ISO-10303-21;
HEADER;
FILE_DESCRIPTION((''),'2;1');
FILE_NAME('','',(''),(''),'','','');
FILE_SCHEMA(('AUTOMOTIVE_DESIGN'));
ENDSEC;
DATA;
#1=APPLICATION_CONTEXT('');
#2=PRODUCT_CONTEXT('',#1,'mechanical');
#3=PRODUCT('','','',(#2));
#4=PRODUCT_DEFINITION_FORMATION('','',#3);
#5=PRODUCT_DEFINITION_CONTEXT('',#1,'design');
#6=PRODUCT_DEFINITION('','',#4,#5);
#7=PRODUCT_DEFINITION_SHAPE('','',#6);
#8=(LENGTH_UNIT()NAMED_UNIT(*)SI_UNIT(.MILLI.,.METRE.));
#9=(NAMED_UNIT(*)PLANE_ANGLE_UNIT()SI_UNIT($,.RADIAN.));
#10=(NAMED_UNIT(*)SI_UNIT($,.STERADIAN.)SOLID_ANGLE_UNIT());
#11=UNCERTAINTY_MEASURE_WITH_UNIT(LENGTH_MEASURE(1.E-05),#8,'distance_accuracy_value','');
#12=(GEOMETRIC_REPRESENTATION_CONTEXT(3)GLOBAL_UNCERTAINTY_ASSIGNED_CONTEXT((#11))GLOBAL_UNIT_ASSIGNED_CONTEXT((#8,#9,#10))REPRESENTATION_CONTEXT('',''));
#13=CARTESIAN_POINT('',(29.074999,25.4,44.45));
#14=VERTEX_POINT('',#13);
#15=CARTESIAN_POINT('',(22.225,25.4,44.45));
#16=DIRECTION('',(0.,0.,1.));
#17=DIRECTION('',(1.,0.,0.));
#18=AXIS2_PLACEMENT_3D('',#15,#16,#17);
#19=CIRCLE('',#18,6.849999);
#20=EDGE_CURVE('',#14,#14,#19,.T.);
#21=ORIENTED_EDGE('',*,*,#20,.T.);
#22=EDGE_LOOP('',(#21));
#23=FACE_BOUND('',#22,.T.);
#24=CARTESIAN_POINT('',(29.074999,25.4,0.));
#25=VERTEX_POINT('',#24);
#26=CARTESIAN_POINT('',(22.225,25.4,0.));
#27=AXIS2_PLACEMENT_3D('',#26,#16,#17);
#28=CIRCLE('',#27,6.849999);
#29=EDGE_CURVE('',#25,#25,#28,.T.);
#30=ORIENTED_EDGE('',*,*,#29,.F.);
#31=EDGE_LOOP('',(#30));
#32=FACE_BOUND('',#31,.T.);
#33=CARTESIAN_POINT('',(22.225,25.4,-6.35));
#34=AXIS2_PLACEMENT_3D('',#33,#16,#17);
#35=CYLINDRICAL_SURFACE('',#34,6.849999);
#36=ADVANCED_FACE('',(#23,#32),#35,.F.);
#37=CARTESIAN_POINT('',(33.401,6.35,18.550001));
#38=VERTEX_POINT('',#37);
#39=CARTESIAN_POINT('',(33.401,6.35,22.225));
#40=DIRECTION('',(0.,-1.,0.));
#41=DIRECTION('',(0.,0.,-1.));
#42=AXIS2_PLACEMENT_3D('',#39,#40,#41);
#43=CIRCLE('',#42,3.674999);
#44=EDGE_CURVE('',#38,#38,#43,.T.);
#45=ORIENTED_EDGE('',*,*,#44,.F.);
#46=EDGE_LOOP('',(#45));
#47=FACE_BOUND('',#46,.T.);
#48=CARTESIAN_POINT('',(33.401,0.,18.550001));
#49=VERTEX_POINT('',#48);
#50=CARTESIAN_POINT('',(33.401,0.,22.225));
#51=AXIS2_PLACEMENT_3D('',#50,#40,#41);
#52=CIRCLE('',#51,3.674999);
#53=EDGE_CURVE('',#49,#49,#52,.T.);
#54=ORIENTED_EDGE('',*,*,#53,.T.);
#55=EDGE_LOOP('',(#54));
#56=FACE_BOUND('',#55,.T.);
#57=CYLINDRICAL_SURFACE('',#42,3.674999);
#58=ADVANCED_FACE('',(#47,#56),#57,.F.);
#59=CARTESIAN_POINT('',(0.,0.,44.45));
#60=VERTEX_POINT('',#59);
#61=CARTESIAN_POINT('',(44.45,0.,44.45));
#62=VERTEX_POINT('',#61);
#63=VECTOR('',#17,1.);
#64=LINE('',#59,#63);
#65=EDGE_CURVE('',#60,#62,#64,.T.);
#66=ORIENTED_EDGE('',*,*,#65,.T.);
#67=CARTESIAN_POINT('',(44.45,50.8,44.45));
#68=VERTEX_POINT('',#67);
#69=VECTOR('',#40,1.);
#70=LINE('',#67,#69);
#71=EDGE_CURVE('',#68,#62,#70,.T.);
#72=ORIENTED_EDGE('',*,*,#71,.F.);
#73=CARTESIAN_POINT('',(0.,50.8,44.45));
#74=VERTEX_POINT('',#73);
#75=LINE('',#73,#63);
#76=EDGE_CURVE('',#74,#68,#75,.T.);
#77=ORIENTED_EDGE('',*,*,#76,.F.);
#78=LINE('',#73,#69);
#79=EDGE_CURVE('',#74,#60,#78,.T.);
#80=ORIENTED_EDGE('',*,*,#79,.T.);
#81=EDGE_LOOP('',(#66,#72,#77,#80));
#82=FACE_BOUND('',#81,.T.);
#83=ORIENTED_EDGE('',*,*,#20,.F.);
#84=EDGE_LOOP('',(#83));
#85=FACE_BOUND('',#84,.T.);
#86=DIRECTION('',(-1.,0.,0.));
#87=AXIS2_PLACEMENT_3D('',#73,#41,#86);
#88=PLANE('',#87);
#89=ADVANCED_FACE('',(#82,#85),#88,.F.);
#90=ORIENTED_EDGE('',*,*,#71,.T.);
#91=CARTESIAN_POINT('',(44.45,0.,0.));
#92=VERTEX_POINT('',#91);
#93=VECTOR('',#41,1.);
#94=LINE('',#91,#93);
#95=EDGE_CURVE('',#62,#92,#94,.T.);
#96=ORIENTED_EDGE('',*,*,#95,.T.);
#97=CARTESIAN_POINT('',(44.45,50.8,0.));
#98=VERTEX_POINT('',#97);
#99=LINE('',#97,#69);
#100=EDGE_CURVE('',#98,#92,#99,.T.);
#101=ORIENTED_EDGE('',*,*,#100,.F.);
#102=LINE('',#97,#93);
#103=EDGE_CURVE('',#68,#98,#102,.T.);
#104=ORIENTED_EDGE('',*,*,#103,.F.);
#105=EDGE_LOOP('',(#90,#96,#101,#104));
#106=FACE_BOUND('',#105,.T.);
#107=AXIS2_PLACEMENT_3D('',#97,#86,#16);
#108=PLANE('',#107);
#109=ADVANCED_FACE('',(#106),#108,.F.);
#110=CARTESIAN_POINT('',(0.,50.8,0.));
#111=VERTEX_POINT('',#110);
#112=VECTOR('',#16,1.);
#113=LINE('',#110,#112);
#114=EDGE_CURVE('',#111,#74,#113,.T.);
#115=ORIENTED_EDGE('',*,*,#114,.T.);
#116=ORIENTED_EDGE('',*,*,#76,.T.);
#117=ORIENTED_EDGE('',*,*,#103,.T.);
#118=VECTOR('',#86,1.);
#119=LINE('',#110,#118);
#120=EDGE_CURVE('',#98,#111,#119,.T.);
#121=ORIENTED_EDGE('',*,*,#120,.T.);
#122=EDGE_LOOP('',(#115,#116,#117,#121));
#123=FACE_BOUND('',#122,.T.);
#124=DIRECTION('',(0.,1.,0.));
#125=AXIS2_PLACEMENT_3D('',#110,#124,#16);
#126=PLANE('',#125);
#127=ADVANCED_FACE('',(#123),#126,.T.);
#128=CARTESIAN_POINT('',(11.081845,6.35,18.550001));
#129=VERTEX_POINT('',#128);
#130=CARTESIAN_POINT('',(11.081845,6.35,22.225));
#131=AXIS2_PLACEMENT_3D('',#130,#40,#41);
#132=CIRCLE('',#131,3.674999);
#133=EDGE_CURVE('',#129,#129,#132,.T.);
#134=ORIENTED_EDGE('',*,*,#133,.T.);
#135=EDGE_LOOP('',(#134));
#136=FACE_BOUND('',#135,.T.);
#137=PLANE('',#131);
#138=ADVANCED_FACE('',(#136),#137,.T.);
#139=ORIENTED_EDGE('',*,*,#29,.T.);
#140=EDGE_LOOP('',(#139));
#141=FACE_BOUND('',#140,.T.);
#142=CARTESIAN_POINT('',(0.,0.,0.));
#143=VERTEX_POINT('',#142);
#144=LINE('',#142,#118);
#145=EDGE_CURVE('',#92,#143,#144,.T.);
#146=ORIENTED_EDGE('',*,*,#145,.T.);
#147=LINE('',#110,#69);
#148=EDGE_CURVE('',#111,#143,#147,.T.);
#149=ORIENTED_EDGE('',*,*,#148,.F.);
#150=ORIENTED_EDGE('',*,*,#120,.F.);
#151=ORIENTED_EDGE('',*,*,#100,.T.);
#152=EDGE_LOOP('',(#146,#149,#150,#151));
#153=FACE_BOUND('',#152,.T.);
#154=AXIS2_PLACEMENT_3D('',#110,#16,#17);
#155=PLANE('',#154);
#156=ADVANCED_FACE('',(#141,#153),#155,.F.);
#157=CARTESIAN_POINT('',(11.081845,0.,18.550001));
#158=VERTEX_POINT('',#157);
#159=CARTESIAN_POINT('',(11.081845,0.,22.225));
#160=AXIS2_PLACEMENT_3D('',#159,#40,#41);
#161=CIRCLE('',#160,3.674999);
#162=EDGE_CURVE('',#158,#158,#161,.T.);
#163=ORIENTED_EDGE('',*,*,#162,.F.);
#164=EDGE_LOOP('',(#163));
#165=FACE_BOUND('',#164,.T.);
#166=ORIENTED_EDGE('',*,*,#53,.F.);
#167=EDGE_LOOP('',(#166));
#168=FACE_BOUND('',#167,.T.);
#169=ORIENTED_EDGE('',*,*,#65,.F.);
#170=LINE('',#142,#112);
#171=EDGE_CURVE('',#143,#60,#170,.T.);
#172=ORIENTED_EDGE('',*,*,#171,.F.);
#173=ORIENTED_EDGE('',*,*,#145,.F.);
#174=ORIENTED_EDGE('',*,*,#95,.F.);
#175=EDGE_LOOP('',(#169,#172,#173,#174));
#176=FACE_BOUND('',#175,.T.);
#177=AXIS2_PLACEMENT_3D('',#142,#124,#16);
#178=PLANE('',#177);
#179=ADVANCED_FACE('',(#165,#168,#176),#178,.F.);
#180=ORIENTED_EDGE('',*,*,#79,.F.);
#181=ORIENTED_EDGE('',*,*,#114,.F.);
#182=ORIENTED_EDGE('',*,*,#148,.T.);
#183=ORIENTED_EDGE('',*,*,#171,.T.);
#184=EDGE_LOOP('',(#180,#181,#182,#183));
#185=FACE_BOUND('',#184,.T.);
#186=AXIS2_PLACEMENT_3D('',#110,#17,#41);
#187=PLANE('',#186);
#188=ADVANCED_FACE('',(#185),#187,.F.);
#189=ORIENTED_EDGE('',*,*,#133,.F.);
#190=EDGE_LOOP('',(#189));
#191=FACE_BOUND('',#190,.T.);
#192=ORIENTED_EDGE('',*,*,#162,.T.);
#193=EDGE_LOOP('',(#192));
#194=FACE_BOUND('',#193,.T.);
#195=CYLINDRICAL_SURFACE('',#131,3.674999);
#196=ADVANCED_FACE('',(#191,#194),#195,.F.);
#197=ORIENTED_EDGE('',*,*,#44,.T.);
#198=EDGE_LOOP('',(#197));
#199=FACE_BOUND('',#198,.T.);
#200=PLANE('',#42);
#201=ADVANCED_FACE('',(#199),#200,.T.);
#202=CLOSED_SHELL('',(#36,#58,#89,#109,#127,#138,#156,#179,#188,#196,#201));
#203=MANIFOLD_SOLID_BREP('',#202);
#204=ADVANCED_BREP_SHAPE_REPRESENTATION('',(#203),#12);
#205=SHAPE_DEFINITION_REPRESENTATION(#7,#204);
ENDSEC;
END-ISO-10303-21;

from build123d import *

# Parameters (mm, degrees)
SKETCH2_W           = 44.45
SKETCH2_H           = 44.45
BOSS_EXTRUDE1_DEPTH = 50.8
SKETCH3_R           = 6.849999
CUT_EXTRUDE1_DEPTH  = 50.8
SKETCH4_R           = 3.674999
CUT_EXTRUDE2_DEPTH  = 6.35


with BuildPart() as part:
    # Sketch2 → Boss-Extrude1 (new body)
    with BuildSketch(Plane(origin=(0, 0, 0), x_dir=(1, 0, 0), z_dir=(0, 1, 0))):
        with Locations((22.225, -22.225)):
            Rectangle(SKETCH2_W, SKETCH2_H)
    extrude(amount=BOSS_EXTRUDE1_DEPTH)

    # Sketch3 → Cut-Extrude1 (cut)
    with BuildSketch(Plane.XY.offset(44.45)):
        with Locations((22.225, 25.4)):
            Circle(SKETCH3_R)
    extrude(amount=-CUT_EXTRUDE1_DEPTH, mode=Mode.SUBTRACT)

    # Sketch4 → Cut-Extrude2 (cut)
    with BuildSketch(Plane.XZ):
        with Locations(Location((11.08184529, 22.225, 0), (0, 0, 270))):  # turned: the seam where the file's is
            Circle(SKETCH4_R)
        with Locations(Location((33.401, 22.225, 0), (0, 0, 270))):  # turned: the seam where the file's is
            Circle(SKETCH4_R)
    extrude(amount=-CUT_EXTRUDE2_DEPTH, mode=Mode.SUBTRACT)


solid = part.part
